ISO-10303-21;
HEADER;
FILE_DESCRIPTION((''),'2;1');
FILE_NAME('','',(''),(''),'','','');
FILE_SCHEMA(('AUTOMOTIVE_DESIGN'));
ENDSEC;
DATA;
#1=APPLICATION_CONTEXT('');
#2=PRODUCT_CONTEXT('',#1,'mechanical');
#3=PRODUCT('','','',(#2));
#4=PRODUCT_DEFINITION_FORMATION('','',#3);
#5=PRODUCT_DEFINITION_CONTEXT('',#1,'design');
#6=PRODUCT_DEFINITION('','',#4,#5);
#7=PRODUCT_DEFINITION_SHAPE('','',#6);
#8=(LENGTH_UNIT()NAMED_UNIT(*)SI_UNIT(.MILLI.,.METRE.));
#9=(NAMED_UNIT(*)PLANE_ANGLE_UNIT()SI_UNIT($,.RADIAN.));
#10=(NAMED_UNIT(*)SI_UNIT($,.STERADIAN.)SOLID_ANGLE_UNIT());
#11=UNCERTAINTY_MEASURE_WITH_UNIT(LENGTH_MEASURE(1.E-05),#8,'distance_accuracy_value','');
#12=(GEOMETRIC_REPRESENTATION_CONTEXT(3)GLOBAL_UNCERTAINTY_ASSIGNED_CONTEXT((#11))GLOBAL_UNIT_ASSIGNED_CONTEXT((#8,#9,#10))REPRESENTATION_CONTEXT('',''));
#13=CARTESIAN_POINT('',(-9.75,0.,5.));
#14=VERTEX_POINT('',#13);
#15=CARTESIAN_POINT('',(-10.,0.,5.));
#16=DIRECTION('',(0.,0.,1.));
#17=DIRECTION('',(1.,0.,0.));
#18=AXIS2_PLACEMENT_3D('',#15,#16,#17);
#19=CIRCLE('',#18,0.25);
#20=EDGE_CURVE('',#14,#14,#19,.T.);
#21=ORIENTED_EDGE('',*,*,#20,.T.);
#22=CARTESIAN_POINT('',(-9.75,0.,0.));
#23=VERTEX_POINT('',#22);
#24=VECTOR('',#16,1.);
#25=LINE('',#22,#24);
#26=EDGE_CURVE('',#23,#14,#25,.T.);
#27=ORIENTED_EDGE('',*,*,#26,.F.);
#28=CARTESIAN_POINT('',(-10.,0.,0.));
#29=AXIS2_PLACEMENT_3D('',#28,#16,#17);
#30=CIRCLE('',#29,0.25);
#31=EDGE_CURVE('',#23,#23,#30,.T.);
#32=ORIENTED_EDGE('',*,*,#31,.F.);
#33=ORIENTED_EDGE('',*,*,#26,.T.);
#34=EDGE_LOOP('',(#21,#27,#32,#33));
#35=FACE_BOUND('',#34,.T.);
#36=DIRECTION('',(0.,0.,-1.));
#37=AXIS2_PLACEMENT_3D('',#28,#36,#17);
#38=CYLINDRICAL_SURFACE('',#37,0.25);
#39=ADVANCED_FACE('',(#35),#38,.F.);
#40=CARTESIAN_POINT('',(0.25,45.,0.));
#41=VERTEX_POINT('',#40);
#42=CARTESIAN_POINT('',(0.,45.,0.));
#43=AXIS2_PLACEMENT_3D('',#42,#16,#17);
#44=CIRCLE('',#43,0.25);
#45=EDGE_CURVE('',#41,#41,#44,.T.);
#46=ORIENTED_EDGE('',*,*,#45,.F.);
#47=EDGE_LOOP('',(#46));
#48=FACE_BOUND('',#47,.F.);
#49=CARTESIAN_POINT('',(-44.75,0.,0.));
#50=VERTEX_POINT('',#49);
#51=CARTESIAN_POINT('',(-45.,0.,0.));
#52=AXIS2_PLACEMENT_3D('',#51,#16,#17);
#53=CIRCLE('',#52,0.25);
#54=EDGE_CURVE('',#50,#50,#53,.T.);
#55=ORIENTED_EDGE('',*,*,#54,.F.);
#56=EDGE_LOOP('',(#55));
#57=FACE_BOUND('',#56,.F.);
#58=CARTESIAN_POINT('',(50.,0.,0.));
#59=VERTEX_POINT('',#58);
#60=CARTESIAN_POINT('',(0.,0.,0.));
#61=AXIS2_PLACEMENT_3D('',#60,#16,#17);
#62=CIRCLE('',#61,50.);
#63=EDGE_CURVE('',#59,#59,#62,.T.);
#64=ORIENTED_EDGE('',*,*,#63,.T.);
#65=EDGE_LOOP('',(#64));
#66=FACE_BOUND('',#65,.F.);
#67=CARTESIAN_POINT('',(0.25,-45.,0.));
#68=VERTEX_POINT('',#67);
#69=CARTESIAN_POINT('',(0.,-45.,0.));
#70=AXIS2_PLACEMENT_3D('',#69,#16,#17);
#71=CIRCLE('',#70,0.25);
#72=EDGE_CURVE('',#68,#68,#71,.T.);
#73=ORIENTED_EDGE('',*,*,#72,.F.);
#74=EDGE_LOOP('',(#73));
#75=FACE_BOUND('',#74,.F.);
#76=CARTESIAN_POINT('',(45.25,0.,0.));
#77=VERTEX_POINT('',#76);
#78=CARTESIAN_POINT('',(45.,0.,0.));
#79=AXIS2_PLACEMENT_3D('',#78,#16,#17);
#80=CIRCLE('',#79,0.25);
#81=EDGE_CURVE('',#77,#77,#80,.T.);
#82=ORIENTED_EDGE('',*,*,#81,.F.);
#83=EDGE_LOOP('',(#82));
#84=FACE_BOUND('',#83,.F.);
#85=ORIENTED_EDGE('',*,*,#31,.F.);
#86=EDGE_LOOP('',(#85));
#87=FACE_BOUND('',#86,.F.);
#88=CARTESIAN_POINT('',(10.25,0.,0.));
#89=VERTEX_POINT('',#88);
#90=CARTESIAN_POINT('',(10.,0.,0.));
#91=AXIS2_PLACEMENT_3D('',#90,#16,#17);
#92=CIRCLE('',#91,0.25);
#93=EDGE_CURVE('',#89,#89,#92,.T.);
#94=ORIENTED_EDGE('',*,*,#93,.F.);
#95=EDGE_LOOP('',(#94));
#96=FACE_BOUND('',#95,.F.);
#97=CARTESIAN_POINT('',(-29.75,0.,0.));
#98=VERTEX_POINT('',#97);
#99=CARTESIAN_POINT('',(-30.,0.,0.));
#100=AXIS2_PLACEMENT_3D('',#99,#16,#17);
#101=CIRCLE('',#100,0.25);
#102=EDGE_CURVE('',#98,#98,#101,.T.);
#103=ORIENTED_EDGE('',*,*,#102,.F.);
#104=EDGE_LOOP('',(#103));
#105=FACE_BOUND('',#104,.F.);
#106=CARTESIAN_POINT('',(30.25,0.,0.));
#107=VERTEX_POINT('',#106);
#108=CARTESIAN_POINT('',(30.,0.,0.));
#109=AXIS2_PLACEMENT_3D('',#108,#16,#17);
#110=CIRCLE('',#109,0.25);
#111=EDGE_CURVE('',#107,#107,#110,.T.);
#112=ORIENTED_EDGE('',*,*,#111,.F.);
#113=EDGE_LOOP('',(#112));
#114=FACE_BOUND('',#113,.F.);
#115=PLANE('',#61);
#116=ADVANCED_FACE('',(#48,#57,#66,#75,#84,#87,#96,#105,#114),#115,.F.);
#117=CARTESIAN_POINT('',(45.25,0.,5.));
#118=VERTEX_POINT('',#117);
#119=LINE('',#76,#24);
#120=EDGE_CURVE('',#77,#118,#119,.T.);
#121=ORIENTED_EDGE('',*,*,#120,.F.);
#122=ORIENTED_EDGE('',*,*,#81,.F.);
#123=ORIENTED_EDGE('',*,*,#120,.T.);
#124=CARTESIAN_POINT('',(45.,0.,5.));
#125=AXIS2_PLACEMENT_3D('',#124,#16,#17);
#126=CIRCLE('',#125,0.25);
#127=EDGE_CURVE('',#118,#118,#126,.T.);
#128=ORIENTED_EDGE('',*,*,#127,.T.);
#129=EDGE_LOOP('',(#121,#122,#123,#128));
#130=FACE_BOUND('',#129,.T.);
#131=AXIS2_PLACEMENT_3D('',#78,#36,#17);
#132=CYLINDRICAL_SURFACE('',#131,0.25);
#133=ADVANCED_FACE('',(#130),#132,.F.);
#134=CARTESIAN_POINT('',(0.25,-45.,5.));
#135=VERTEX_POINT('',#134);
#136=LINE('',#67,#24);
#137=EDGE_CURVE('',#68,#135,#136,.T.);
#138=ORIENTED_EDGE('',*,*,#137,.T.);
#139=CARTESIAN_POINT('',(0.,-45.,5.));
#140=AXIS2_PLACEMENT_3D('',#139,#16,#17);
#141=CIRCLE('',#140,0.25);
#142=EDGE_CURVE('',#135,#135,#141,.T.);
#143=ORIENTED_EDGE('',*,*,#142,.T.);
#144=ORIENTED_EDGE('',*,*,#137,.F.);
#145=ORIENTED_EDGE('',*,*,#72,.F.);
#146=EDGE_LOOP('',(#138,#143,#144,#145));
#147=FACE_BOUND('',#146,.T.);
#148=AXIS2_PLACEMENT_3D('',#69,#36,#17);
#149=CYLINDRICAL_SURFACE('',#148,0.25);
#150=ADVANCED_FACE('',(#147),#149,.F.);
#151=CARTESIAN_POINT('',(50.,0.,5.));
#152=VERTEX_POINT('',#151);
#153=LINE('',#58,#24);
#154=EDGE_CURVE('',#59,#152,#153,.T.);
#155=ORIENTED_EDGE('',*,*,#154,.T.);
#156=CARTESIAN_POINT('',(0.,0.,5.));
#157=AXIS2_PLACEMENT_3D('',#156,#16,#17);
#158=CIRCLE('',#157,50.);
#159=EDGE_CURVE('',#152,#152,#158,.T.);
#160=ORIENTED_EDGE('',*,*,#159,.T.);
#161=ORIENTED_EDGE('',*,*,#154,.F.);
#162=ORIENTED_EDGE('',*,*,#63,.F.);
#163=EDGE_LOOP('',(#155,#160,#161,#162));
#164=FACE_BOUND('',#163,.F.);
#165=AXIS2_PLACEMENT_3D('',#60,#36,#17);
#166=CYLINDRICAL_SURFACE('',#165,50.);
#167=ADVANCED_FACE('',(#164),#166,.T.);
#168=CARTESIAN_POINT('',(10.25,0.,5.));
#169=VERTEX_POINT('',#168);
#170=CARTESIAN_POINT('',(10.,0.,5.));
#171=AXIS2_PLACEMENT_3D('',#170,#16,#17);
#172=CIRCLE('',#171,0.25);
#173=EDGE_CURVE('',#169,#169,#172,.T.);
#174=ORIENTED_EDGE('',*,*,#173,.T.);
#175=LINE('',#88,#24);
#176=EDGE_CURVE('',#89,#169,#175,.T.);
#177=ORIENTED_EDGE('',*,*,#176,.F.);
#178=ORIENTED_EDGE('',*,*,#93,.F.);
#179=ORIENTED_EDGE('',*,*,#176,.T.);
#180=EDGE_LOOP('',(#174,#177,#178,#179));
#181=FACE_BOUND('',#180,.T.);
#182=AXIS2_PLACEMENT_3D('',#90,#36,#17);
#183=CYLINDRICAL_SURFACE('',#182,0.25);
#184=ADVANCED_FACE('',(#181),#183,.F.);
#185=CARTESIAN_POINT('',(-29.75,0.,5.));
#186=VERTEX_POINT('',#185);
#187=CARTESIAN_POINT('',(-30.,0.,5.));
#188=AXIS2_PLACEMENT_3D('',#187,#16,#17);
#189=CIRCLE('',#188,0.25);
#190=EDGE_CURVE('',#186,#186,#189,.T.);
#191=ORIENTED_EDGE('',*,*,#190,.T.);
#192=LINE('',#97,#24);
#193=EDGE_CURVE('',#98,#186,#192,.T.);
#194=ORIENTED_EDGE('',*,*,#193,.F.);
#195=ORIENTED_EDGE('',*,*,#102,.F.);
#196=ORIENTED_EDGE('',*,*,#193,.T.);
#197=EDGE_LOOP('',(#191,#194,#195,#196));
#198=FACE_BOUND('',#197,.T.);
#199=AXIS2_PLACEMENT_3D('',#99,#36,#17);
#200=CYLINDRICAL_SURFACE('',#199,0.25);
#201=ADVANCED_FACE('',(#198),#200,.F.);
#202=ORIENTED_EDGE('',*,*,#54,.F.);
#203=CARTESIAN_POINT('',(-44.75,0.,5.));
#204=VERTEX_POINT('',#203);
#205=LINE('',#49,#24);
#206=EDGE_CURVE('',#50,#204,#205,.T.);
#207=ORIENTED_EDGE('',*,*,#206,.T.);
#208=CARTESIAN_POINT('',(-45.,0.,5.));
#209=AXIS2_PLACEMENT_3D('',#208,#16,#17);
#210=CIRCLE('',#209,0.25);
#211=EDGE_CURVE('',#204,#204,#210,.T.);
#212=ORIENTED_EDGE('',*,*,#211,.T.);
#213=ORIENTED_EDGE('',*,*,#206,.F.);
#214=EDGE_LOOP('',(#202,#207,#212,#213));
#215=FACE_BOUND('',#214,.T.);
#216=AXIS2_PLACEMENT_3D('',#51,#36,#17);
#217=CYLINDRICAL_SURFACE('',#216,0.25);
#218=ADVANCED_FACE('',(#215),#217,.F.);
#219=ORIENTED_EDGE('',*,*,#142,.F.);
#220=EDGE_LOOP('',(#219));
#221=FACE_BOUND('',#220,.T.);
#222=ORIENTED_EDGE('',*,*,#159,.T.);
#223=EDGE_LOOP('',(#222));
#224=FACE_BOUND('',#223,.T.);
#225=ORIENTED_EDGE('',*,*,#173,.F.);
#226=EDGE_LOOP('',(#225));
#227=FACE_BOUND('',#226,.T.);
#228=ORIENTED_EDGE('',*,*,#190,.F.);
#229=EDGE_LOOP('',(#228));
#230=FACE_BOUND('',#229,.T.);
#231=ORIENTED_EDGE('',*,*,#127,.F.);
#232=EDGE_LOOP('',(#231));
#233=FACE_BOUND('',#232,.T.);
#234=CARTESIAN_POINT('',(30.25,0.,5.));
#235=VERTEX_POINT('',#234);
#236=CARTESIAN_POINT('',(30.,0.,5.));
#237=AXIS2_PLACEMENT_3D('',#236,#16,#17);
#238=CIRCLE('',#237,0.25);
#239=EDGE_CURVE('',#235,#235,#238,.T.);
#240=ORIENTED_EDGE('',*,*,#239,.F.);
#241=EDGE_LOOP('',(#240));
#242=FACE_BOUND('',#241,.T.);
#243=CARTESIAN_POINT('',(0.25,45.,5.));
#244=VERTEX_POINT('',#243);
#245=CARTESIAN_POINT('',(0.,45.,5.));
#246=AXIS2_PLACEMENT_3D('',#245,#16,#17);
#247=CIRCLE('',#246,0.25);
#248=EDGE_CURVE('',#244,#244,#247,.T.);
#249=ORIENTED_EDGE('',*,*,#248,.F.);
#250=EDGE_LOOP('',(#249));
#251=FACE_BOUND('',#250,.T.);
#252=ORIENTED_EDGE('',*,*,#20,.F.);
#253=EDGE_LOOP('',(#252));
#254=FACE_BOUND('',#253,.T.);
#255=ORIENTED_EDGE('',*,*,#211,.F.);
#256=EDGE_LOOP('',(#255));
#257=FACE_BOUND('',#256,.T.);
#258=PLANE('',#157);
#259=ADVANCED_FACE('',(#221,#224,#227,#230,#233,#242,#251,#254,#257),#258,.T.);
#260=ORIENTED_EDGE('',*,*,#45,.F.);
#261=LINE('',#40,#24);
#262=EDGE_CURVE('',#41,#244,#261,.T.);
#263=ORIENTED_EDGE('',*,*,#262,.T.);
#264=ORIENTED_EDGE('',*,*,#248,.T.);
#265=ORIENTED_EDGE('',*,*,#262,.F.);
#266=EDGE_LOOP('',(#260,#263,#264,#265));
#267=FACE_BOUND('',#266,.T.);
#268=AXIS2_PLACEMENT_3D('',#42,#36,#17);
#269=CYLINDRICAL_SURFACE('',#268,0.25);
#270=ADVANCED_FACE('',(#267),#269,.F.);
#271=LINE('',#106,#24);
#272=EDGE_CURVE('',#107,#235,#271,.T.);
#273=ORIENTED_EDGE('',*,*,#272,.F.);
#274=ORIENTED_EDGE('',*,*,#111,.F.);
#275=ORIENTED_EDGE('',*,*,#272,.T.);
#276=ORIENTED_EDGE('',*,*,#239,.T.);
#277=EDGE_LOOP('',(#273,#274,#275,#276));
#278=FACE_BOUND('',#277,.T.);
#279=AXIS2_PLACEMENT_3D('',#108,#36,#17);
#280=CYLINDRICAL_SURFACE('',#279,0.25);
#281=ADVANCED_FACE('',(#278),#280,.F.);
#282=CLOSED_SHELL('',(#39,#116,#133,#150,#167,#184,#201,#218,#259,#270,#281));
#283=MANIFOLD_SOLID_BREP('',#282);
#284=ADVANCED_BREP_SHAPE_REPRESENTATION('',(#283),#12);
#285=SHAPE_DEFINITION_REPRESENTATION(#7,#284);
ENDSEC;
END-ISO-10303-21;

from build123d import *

# Parameters (mm, degrees)
F0_R     = 50
F0_R_2   = 0.25
F1_DEPTH = 5


with BuildPart() as f1:
    # F0 (on Top) → F1 (new body)
    with BuildSketch(Plane.XY):
        Circle(F0_R)
        with Locations((0, -45)):
            Circle(F0_R_2, mode=Mode.SUBTRACT)
        with Locations((-45, 0)):
            Circle(F0_R_2, mode=Mode.SUBTRACT)
        with Locations((-30, 0)):
            Circle(F0_R_2, mode=Mode.SUBTRACT)
        with Locations((-10, 0)):
            Circle(F0_R_2, mode=Mode.SUBTRACT)
        with Locations((10, 0)):
            Circle(F0_R_2, mode=Mode.SUBTRACT)
        with Locations((30, 0)):
            Circle(F0_R_2, mode=Mode.SUBTRACT)
        with Locations((45, 0)):
            Circle(F0_R_2, mode=Mode.SUBTRACT)
        with Locations((0, 45)):
            Circle(F0_R_2, mode=Mode.SUBTRACT)
    extrude(amount=F1_DEPTH)


solid = f1.part
